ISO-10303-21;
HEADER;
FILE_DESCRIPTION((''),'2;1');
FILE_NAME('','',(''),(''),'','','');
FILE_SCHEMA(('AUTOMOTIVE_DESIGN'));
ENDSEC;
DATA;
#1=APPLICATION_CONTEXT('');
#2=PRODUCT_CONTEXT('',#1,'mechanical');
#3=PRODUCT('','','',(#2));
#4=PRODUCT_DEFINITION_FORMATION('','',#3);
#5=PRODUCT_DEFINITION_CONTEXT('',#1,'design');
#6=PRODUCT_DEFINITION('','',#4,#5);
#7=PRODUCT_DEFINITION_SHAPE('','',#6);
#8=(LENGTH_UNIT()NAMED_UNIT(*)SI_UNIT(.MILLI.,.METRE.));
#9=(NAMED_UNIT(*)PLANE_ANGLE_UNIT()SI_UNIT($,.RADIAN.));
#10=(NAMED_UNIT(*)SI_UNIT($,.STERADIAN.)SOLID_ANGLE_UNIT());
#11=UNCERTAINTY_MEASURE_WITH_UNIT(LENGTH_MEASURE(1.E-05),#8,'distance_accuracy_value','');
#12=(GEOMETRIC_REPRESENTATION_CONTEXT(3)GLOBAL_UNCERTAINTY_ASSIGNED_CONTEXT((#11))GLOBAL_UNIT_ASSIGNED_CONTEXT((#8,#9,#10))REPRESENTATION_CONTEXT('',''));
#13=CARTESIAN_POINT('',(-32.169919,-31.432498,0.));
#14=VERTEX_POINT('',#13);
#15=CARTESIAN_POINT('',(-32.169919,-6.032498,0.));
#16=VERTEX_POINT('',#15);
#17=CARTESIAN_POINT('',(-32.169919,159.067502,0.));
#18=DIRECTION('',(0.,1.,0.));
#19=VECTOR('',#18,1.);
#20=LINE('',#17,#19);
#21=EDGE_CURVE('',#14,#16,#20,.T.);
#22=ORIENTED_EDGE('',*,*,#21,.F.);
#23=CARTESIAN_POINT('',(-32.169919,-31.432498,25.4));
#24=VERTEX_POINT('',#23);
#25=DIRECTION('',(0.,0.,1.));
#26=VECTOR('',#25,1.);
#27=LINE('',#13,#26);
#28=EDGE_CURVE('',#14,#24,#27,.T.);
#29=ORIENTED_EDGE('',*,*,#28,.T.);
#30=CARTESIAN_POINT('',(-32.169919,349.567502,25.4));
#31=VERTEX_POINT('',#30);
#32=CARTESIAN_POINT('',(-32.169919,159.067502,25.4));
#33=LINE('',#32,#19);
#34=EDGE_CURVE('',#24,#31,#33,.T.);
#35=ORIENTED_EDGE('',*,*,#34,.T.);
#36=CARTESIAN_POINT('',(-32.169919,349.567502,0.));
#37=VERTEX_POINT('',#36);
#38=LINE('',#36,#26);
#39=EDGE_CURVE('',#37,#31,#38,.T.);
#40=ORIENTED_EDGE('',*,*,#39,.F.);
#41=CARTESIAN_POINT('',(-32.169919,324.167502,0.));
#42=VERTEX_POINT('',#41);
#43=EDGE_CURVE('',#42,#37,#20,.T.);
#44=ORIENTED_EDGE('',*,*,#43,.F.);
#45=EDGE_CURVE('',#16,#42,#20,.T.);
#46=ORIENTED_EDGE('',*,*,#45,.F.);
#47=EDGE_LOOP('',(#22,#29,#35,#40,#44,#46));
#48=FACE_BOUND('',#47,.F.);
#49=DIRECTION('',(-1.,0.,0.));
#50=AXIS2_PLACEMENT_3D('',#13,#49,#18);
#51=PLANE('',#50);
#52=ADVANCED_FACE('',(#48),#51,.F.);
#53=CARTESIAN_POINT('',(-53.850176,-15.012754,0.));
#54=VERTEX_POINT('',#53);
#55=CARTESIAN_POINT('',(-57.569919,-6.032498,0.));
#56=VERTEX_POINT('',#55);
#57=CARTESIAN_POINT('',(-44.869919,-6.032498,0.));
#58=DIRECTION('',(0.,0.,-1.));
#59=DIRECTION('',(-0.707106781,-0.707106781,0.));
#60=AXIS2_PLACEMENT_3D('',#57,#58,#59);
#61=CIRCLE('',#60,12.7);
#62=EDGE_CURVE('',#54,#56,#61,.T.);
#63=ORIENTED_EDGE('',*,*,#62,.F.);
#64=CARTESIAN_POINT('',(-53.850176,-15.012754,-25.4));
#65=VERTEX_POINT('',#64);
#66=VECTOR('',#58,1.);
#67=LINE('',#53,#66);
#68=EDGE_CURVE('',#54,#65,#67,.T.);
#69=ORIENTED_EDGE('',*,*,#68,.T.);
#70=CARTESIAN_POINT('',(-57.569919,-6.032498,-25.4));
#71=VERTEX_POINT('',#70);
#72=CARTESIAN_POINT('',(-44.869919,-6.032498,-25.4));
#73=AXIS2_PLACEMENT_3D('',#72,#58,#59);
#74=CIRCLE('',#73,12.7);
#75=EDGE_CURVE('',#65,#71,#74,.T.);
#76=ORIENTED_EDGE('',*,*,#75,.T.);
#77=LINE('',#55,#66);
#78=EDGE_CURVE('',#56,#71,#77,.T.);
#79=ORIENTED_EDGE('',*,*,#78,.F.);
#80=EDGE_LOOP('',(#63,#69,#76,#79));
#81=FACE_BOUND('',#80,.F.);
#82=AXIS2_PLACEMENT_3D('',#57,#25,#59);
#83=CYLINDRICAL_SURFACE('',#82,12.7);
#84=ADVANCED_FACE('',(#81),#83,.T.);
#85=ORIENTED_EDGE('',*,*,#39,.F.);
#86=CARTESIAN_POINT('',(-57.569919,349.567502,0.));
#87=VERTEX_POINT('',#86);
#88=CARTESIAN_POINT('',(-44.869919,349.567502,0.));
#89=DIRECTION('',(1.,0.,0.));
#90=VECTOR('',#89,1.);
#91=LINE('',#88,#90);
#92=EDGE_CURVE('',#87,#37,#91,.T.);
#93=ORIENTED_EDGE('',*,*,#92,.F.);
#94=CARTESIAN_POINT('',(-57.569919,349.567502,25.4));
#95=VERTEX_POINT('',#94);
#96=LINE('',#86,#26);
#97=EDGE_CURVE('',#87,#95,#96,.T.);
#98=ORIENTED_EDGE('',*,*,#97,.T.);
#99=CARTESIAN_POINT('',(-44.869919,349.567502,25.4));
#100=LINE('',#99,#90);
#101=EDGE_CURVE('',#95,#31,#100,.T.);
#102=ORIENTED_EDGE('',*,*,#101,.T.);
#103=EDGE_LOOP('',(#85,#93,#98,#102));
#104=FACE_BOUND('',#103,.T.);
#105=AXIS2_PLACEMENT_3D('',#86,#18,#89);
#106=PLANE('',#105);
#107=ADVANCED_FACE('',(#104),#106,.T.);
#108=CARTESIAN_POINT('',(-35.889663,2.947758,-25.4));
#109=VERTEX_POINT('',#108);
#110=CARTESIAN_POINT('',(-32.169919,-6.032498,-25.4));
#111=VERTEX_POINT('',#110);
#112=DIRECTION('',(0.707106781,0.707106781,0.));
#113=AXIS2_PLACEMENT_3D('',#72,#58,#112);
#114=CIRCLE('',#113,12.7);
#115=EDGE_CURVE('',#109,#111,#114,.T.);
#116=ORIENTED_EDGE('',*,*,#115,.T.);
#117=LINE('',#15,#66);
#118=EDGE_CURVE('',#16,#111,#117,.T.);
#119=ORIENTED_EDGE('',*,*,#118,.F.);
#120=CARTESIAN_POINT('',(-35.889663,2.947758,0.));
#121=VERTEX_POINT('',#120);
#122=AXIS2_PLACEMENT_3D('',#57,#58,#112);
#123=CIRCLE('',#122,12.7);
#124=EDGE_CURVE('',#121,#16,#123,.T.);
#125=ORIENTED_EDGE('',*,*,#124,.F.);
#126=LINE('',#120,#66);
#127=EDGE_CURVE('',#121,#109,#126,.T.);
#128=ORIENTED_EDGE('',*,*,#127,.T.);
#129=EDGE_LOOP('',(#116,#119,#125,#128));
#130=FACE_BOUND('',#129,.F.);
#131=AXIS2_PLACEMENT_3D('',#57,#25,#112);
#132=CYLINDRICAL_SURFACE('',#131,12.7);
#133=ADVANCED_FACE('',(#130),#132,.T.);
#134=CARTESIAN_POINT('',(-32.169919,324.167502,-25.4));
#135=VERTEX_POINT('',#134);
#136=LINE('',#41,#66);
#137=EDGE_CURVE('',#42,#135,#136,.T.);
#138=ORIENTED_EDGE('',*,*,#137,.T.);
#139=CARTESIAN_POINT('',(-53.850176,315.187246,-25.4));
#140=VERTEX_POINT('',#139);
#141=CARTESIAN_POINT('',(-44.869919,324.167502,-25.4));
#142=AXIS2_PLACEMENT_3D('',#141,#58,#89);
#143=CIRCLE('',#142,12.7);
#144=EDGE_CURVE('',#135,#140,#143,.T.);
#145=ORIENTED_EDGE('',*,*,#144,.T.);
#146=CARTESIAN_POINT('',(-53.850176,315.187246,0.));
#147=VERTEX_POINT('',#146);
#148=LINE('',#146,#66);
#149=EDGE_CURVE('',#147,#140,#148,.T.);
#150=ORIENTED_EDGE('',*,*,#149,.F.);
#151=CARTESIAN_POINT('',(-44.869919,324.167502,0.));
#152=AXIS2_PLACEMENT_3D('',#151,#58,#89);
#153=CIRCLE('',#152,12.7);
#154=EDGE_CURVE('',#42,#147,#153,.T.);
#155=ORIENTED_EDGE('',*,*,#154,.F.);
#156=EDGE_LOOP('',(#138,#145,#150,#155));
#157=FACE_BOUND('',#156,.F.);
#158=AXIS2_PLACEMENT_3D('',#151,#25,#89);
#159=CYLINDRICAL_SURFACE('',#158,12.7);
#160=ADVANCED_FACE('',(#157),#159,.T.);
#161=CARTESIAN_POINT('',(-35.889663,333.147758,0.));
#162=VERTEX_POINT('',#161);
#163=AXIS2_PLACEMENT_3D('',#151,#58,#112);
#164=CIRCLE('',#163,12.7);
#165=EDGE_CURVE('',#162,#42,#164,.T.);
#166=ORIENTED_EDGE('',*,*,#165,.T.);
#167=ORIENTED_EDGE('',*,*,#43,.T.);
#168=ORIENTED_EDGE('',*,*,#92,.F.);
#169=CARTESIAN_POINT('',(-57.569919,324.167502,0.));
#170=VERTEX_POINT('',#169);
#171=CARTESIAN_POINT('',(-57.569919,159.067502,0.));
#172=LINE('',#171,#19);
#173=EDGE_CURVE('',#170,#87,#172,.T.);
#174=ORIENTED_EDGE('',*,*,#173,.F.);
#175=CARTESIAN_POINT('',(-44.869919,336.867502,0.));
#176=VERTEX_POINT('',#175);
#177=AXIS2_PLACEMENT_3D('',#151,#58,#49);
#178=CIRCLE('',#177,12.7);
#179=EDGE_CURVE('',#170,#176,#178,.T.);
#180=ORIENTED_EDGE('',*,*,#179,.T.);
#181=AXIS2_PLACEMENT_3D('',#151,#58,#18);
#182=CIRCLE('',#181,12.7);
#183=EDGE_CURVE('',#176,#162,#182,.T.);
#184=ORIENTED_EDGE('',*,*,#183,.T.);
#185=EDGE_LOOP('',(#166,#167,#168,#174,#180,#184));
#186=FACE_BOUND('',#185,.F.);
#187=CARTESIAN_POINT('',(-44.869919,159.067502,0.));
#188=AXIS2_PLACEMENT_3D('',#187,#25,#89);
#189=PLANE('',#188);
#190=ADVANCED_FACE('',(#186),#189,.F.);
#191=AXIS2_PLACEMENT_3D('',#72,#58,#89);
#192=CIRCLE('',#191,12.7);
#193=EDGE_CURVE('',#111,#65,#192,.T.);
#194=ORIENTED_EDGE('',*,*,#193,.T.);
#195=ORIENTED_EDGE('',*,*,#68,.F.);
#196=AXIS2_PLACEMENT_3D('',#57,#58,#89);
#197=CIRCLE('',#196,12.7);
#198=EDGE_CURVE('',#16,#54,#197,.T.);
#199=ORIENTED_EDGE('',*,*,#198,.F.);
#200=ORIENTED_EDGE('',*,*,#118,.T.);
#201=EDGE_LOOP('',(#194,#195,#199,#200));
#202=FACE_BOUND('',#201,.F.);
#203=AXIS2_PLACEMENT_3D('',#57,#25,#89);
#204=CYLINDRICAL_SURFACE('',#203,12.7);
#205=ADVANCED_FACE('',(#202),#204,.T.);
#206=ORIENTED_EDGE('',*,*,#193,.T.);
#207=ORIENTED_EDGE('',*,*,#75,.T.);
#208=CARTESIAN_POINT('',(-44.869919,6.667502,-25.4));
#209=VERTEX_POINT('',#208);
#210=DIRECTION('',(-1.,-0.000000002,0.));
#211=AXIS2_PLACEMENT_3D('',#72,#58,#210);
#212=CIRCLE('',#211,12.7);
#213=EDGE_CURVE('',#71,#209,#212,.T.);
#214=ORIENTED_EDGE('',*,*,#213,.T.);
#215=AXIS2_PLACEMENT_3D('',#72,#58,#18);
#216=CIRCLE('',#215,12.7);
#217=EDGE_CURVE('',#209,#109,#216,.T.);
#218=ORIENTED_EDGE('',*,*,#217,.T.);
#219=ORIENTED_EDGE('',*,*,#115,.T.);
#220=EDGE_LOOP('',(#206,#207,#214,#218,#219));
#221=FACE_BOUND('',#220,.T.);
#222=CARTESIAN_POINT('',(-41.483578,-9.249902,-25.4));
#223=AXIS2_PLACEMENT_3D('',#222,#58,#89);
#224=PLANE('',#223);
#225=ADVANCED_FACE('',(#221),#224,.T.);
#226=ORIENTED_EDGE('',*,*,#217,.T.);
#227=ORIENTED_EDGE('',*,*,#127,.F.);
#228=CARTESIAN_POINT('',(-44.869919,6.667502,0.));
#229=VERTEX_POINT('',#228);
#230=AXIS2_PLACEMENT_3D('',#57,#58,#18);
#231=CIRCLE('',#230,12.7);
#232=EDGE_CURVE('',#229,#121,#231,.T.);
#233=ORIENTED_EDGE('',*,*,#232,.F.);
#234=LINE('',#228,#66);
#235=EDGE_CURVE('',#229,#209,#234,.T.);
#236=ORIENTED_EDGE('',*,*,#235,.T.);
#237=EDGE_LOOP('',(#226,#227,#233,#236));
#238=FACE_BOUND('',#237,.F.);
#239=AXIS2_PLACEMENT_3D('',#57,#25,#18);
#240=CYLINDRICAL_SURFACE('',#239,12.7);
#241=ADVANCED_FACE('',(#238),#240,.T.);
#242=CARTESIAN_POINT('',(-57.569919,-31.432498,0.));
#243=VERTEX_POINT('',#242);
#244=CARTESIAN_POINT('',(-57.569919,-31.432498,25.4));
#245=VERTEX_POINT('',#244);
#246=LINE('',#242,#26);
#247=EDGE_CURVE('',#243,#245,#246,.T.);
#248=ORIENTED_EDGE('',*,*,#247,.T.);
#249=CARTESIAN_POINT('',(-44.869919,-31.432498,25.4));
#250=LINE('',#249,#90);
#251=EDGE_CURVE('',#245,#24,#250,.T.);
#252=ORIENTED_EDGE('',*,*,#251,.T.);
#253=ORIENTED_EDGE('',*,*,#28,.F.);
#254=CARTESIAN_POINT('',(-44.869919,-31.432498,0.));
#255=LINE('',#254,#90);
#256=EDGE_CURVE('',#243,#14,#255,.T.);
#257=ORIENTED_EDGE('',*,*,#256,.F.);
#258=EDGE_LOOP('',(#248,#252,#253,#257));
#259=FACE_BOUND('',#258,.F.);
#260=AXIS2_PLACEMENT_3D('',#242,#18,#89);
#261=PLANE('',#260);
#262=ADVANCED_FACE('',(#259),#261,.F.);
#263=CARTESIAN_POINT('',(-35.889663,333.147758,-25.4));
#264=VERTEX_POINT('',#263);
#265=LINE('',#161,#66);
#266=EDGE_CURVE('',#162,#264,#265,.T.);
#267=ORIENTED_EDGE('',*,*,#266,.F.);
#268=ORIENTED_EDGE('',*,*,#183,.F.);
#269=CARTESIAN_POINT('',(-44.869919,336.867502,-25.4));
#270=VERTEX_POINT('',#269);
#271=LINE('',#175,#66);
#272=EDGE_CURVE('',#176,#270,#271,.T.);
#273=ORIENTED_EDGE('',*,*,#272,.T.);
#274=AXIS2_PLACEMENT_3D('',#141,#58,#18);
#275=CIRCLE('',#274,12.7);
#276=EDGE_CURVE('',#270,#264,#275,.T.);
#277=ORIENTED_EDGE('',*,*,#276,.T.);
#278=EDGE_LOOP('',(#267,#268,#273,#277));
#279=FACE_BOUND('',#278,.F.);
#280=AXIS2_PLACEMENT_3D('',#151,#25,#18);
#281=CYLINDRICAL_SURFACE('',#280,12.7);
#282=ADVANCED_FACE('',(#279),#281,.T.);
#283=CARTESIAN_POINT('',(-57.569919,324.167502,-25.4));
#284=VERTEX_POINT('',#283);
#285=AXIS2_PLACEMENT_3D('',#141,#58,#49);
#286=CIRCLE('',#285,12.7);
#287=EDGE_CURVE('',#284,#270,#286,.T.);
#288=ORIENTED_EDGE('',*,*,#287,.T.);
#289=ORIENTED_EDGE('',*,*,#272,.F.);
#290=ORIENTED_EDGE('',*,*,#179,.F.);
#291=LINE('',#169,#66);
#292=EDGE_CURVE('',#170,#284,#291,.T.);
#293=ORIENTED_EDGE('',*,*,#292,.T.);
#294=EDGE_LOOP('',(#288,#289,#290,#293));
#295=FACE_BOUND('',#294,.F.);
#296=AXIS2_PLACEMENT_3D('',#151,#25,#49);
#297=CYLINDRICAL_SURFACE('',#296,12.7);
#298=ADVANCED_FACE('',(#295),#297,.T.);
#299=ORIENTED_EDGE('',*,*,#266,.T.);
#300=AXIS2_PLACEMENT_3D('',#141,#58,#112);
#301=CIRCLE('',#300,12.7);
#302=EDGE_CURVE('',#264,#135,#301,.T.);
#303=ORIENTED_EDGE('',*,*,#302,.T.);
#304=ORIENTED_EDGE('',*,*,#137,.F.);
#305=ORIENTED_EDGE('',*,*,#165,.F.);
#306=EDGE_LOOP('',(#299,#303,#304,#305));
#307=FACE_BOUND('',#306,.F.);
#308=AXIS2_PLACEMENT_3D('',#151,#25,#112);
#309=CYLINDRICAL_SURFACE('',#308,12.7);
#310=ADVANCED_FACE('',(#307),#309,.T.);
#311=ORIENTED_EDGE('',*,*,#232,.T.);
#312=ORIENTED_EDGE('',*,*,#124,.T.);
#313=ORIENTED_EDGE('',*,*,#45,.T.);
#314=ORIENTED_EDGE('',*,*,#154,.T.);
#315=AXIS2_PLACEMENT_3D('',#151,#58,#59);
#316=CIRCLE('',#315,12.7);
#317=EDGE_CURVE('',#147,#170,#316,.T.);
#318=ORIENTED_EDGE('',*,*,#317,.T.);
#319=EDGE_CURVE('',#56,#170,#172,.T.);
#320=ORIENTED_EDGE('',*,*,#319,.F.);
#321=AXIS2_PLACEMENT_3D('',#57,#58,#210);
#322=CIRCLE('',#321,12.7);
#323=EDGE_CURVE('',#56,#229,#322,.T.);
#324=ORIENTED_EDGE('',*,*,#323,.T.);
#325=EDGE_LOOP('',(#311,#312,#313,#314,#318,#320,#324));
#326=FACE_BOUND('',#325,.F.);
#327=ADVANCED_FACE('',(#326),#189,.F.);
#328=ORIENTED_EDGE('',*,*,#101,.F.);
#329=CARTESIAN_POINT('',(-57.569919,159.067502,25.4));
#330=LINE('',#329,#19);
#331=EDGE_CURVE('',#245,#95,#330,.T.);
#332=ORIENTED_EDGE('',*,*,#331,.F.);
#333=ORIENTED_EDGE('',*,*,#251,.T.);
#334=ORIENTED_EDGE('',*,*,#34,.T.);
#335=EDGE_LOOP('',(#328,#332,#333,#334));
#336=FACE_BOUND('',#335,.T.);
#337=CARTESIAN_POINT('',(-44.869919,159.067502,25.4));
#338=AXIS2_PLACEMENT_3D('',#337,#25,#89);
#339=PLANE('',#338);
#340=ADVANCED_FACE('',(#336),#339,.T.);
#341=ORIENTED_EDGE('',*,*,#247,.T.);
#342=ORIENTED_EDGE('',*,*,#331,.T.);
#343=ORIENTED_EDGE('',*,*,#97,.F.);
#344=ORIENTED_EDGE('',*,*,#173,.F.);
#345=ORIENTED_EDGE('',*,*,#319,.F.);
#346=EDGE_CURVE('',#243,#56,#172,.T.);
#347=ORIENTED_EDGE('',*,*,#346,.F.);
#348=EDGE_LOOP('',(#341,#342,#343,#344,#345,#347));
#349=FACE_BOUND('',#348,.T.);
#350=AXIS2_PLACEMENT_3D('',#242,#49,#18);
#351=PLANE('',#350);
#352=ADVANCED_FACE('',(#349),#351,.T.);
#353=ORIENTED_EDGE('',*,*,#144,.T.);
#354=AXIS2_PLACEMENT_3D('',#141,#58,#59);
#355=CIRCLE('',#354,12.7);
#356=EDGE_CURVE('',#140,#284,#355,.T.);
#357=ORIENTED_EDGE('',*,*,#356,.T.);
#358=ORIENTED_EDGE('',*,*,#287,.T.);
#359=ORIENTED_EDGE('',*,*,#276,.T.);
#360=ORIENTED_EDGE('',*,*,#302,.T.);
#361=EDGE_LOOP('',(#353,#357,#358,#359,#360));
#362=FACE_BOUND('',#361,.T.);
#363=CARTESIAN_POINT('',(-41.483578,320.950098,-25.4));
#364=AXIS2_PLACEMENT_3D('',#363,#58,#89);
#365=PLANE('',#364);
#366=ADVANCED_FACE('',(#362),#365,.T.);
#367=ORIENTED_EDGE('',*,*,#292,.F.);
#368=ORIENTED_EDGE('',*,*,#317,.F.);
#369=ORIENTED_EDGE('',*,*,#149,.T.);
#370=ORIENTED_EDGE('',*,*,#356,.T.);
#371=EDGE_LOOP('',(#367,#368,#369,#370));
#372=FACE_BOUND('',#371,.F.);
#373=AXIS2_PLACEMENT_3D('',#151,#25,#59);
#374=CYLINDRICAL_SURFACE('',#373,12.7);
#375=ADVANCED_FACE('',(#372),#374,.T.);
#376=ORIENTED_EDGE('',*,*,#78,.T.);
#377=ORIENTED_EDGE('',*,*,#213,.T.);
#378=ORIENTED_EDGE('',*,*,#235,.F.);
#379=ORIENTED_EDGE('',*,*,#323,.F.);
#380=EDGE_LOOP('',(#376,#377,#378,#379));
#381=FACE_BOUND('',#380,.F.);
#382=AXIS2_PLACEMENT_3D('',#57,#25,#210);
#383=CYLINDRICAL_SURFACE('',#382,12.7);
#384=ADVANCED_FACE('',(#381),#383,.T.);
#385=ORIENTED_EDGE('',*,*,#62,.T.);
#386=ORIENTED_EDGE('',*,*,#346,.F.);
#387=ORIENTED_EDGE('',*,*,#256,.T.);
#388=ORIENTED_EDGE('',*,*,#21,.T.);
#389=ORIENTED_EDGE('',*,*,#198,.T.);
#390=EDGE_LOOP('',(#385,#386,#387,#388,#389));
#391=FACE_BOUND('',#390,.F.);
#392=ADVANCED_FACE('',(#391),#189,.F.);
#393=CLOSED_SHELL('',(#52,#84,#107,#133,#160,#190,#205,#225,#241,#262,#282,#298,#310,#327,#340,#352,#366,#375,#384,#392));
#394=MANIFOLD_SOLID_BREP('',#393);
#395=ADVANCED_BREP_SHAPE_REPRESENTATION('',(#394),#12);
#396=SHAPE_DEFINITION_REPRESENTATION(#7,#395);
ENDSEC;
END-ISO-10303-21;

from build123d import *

# Parameters (mm, degrees)
F0_R     = 12.7
F1_DEPTH = 25.4
F3_W     = 25.4
F3_H     = 381
F4_DEPTH = 25.4
F6_DEPTH = 50.8
F7_DEPTH = 25.4
F9_DEPTH = 25.4


with BuildPart() as f1:
    # F0 (on Top) → F1 (new body)
    with BuildSketch(Plane.XY):
        with Locations((-130.0663352013, -20.0254302472)):
            Circle(F0_R)
    extrude(amount=F1_DEPTH)


with BuildPart() as f4:
    # F3 (on Top) → F4 (new body)
    with BuildSketch(Plane.XY):
        with Locations((-44.869919461, 159.0675017536)):
            Rectangle(F3_W, F3_H)
    extrude(amount=F4_DEPTH)

    # F5 (on face) → F6 (join)
    with BuildSketch(Plane(origin=(0, 0, 0), x_dir=(1, 0, 0), z_dir=(0, 0, -1))):
        with BuildLine():
            ThreePointArc((-32.169919461, 6.0324982464), (-35.8896633399, 15.0127543675), (-44.869919461, 18.7324982464))
            ThreePointArc((-44.869919461, 18.7324982464), (-49.729999052, 17.7657683093), (-53.8501755821, 15.0127543675))
            Line((-53.8501755821, 15.0127543675), (-35.8896633399, -2.9477578746))
            ThreePointArc((-35.8896633399, -2.9477578746), (-33.1366493981, 1.1724186554), (-32.169919461, 6.0324982464))
        make_face()
        with BuildLine():
            ThreePointArc((-53.8501755821, 15.0127543675), (-56.6031895193, 10.8925778487), (-57.569919461, 6.0324982708))
            ThreePointArc((-57.569919461, 6.0324982708), (-53.8501755907, -2.947757866), (-44.869919461, -6.6675017536))
            ThreePointArc((-44.869919461, -6.6675017536), (-40.00983987, -5.7007718165), (-35.8896633399, -2.9477578746))
            Line((-35.8896633399, -2.9477578746), (-53.8501755821, 15.0127543675))
        make_face()
    extrude(amount=F6_DEPTH)

    # F7 (cut): a face of the model
    f7_faces = [f4.faces().sort_by_distance(p)[0] for p in [
        (-44.869919461, -6.0324982464, -50.8),
    ]]
    extrude(f7_faces, amount=-F7_DEPTH, mode=Mode.SUBTRACT)

    # F8 (on face) → F9 (join)
    with BuildSketch(Plane(origin=(0, 0, 0), x_dir=(1, 0, 0), z_dir=(0, 0, -1))):
        with BuildLine():
            ThreePointArc((-35.8896633399, -333.1477578746), (-33.1366493981, -329.0275813446), (-32.169919461, -324.1675017536))
            ThreePointArc((-32.169919461, -324.1675017536), (-35.8896633399, -315.1872456325), (-44.869919461, -311.4675017536))
            ThreePointArc((-44.869919461, -311.4675017536), (-49.729999052, -312.4342316907), (-53.8501755821, -315.1872456325))
            Line((-53.8501755821, -315.1872456325), (-35.8896633399, -333.1477578746))
        make_face()
        with BuildLine():
            ThreePointArc((-57.569919461, -324.1675017536), (-53.8501755821, -333.1477578746), (-44.869919461, -336.8675017536))
            ThreePointArc((-44.869919461, -336.8675017536), (-40.00983987, -335.9007718165), (-35.8896633399, -333.1477578746))
            Line((-35.8896633399, -333.1477578746), (-53.8501755821, -315.1872456325))
            ThreePointArc((-53.8501755821, -315.1872456325), (-56.6031895239, -319.3074221625), (-57.569919461, -324.1675017536))
        make_face()
    extrude(amount=F9_DEPTH)


solid = f4.part
